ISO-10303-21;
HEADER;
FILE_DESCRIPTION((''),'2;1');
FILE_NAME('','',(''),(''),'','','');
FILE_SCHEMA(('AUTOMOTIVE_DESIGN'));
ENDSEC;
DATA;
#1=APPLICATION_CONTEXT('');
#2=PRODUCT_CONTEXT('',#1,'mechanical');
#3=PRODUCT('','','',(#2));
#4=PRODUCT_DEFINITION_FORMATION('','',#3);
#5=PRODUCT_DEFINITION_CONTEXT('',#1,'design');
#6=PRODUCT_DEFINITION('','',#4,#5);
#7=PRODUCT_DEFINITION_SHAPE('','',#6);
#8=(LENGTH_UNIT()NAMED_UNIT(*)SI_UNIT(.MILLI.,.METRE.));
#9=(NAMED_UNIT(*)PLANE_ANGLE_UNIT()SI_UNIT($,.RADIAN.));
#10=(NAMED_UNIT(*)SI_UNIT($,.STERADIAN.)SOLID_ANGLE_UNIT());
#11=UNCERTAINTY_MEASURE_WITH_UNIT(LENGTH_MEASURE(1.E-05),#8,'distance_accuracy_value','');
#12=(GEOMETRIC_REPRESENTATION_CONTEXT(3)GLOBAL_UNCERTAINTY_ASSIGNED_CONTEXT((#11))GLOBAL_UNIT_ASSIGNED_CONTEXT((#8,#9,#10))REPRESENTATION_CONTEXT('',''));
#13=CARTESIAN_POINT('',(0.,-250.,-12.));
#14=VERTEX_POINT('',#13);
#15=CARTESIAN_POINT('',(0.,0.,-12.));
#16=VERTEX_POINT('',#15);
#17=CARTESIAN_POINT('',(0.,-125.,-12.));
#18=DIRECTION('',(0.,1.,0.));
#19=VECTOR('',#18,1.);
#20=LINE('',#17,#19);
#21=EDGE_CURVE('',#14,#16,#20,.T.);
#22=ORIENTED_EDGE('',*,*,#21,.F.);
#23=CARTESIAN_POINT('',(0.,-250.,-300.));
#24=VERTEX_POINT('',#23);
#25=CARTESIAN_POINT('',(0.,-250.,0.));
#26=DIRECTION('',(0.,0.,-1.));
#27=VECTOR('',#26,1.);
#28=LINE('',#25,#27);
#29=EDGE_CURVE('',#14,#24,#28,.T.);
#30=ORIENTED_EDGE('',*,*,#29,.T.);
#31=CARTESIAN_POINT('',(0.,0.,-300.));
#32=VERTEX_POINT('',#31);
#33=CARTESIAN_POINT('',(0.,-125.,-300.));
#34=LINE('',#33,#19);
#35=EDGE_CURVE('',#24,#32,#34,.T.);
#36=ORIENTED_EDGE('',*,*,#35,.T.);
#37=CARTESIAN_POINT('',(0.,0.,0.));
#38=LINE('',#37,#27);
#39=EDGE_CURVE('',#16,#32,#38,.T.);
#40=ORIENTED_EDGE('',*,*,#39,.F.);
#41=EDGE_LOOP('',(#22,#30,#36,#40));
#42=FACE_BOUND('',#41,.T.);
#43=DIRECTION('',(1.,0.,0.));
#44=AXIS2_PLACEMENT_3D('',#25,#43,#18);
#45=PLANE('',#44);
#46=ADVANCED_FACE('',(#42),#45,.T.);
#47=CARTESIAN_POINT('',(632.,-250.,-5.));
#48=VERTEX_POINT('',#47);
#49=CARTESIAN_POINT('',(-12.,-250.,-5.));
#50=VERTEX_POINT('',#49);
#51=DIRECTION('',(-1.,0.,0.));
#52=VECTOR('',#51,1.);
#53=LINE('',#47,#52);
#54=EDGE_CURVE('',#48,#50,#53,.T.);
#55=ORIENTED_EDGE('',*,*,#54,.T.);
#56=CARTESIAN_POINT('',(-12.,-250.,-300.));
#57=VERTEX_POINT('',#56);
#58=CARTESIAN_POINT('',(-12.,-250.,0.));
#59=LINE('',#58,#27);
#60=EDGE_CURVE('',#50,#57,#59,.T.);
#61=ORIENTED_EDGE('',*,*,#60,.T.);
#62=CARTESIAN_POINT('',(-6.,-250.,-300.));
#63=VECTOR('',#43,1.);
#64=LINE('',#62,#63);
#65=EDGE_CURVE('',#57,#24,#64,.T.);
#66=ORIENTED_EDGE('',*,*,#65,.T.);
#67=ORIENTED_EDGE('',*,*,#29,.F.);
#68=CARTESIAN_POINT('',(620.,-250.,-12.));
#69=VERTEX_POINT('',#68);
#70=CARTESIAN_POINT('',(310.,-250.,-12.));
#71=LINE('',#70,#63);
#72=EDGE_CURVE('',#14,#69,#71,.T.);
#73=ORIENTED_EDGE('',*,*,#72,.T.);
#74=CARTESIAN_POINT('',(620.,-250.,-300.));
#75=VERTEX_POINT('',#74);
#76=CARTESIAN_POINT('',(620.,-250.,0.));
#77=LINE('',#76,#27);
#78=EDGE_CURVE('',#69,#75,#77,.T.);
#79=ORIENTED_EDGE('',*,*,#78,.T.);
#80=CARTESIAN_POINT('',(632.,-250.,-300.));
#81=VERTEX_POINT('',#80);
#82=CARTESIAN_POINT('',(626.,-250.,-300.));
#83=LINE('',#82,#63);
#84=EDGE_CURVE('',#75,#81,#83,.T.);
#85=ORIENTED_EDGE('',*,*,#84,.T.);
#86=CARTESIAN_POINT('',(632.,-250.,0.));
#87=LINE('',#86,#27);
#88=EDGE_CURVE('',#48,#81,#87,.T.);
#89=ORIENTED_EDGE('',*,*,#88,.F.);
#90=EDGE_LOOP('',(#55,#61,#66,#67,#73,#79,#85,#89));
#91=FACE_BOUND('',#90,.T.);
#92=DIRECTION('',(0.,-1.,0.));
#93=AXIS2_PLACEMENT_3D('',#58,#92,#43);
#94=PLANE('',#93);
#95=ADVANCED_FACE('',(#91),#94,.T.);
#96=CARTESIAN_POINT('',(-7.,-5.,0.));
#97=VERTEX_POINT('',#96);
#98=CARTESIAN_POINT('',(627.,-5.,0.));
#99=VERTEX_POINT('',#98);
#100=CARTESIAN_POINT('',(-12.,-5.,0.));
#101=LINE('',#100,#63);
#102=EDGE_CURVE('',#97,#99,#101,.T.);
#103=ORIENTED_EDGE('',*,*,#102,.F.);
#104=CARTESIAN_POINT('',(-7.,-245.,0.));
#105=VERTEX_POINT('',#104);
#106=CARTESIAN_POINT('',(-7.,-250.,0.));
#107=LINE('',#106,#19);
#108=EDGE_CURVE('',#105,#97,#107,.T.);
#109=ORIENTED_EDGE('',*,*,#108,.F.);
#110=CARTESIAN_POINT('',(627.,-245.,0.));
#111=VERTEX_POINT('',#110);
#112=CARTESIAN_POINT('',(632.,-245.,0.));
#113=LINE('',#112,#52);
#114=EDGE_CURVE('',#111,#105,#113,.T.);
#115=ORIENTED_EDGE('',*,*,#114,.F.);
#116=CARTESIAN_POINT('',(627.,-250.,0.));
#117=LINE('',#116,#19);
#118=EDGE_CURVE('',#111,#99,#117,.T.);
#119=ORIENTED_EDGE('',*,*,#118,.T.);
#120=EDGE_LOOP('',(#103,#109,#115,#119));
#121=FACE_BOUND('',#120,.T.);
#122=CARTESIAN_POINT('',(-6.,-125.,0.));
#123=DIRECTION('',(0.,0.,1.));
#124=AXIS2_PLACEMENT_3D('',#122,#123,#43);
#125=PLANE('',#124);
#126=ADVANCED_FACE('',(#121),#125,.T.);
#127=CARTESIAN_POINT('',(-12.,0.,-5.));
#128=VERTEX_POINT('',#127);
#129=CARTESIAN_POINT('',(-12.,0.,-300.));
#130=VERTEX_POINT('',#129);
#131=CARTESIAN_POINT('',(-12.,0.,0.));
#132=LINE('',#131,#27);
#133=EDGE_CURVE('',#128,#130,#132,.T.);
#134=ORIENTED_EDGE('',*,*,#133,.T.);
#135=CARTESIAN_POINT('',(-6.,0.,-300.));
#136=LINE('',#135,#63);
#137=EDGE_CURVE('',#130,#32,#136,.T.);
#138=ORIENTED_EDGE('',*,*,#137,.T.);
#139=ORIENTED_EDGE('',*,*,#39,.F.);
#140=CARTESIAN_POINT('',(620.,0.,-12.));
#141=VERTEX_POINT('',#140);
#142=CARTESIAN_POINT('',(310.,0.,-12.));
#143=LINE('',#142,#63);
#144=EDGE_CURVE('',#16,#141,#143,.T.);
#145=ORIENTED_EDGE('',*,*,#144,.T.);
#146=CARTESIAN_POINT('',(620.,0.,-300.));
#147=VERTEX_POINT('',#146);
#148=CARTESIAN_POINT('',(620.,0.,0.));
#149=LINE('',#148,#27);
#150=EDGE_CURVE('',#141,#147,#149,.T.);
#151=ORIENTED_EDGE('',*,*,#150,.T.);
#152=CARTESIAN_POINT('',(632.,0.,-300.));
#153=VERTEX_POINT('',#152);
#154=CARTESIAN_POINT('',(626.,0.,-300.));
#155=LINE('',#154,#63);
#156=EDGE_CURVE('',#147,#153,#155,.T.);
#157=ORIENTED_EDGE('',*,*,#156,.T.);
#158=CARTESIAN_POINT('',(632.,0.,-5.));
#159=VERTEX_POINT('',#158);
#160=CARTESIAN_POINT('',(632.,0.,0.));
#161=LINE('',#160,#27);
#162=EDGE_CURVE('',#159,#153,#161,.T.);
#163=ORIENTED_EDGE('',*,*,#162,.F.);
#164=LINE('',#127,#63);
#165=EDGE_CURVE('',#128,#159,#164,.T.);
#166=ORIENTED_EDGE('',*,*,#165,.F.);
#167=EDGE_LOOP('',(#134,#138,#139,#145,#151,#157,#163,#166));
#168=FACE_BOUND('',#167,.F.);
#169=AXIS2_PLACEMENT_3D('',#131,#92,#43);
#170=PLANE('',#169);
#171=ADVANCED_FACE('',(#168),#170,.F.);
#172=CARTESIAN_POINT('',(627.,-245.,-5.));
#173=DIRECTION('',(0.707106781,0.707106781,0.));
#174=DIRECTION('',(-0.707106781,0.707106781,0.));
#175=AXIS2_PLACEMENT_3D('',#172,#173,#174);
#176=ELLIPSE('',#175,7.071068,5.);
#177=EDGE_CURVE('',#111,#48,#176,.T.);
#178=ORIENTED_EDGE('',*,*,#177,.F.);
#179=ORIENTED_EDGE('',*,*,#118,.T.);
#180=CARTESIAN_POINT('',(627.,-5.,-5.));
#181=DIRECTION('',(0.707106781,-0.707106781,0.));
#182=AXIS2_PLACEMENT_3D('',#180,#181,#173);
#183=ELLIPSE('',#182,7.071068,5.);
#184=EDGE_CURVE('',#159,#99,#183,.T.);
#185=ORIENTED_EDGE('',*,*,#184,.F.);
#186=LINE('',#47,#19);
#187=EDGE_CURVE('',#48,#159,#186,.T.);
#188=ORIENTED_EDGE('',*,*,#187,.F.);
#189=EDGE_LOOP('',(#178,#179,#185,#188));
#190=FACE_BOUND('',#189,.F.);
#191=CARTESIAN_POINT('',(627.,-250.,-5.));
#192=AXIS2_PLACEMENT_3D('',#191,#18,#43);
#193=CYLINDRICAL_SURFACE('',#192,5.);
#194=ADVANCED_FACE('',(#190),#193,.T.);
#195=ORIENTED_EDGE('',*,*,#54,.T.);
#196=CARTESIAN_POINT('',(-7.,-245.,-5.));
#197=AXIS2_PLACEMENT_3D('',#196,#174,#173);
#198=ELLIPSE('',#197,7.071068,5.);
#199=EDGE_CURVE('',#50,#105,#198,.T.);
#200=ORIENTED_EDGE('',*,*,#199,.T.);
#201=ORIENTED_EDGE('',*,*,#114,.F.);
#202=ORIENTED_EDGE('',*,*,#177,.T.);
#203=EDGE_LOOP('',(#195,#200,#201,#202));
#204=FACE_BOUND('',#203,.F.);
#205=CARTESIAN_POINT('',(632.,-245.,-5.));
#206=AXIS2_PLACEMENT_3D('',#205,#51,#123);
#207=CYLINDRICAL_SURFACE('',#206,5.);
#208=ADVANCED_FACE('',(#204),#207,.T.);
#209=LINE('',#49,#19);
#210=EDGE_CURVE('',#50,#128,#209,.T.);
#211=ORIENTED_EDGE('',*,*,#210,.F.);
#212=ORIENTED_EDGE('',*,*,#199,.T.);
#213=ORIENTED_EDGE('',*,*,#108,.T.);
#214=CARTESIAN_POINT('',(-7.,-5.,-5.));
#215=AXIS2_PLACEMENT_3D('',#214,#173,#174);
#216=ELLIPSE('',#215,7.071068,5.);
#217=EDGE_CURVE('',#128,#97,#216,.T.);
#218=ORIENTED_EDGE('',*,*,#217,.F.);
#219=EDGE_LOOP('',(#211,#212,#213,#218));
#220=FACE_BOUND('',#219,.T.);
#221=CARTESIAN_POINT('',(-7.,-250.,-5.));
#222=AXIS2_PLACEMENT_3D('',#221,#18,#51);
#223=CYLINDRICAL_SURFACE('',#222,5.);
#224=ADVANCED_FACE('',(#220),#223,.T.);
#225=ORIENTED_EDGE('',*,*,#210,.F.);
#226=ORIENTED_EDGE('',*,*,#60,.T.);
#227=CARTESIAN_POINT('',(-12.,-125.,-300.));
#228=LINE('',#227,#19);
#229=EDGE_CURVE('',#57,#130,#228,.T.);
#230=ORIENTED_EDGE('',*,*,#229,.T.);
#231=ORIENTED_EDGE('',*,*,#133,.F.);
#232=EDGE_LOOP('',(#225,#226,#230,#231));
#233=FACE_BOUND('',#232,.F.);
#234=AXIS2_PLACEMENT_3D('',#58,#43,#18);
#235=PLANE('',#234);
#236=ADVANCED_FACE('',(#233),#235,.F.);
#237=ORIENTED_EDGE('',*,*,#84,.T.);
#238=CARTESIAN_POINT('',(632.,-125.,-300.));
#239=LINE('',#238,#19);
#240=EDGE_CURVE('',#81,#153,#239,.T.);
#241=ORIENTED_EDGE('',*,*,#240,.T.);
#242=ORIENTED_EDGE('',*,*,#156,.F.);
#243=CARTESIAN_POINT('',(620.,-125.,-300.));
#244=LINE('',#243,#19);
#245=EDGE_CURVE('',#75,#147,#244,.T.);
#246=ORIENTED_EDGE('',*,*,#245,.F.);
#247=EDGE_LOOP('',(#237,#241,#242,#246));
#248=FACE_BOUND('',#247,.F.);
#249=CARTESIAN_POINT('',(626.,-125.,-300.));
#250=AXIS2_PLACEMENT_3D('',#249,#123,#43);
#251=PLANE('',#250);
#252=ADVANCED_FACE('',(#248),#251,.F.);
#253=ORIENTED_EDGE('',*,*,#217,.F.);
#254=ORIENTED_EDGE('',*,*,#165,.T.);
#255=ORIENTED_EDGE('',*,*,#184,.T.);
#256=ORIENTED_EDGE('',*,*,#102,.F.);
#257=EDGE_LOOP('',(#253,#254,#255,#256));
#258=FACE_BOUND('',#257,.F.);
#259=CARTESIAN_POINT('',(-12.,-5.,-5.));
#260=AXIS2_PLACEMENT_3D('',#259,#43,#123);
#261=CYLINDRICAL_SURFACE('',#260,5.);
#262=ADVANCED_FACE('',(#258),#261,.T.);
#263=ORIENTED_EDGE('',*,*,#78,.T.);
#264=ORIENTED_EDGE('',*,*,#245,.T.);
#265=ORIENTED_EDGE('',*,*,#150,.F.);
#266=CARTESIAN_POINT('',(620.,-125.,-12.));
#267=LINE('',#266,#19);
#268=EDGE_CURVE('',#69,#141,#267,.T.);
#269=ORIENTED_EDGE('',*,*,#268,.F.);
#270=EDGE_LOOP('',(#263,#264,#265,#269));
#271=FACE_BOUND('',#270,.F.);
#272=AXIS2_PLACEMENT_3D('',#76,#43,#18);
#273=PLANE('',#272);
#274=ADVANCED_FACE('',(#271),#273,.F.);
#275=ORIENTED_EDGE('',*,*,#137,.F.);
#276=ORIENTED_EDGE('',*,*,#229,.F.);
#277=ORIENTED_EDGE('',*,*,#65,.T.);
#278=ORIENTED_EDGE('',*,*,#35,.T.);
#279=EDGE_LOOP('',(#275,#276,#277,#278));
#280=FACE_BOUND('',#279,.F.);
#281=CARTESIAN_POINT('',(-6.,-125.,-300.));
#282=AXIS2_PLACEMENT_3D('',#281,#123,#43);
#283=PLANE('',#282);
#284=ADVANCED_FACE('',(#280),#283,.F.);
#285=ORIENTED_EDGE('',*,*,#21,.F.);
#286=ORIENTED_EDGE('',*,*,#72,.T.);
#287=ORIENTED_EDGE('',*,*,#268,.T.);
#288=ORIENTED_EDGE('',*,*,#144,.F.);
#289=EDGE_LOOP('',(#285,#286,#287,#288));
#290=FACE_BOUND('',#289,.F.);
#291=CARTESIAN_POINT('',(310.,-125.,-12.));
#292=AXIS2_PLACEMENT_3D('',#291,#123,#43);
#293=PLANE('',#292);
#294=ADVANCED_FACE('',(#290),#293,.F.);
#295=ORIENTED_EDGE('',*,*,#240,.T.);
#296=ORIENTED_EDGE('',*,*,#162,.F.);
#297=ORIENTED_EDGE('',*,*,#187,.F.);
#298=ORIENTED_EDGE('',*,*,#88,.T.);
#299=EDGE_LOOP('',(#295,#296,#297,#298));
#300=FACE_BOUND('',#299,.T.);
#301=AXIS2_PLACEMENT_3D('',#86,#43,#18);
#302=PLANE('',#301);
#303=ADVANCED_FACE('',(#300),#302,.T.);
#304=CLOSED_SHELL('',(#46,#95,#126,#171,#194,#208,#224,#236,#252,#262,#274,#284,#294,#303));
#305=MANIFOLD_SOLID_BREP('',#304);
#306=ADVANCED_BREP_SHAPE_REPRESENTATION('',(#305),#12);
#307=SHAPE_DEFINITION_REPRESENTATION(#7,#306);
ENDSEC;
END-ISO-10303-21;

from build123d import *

# Parameters (mm, degrees)
F0_W     = 620
F0_H     = 250
F1_DEPTH = 12
F2_W     = 12
F2_H     = 250
F3_DEPTH = 300
F4_R     = 5


with BuildPart() as f1:
    # F0 (on Top) → F1 (new body)
    with BuildSketch(Plane.XY):
        with Locations((310, -125)):
            Rectangle(F0_W, F0_H)
    extrude(amount=-F1_DEPTH)

    # F2 (on Top) → F3 (join)
    with BuildSketch(Plane.XY):
        with Locations((-6, -125)):
            Rectangle(F2_W, F2_H)
        with Locations((626, -125)):
            Rectangle(F2_W, F2_H)
    extrude(amount=-F3_DEPTH)

    # F4
    f4_edges = [f1.edges().sort_by_distance(p)[0] for p in [
        (-12, -125, 0),
        (310, -250, 0),
        (632, -125, 0),
        (310, 0, 0),
    ]]
    fillet(f4_edges, radius=F4_R)


solid = f1.part
